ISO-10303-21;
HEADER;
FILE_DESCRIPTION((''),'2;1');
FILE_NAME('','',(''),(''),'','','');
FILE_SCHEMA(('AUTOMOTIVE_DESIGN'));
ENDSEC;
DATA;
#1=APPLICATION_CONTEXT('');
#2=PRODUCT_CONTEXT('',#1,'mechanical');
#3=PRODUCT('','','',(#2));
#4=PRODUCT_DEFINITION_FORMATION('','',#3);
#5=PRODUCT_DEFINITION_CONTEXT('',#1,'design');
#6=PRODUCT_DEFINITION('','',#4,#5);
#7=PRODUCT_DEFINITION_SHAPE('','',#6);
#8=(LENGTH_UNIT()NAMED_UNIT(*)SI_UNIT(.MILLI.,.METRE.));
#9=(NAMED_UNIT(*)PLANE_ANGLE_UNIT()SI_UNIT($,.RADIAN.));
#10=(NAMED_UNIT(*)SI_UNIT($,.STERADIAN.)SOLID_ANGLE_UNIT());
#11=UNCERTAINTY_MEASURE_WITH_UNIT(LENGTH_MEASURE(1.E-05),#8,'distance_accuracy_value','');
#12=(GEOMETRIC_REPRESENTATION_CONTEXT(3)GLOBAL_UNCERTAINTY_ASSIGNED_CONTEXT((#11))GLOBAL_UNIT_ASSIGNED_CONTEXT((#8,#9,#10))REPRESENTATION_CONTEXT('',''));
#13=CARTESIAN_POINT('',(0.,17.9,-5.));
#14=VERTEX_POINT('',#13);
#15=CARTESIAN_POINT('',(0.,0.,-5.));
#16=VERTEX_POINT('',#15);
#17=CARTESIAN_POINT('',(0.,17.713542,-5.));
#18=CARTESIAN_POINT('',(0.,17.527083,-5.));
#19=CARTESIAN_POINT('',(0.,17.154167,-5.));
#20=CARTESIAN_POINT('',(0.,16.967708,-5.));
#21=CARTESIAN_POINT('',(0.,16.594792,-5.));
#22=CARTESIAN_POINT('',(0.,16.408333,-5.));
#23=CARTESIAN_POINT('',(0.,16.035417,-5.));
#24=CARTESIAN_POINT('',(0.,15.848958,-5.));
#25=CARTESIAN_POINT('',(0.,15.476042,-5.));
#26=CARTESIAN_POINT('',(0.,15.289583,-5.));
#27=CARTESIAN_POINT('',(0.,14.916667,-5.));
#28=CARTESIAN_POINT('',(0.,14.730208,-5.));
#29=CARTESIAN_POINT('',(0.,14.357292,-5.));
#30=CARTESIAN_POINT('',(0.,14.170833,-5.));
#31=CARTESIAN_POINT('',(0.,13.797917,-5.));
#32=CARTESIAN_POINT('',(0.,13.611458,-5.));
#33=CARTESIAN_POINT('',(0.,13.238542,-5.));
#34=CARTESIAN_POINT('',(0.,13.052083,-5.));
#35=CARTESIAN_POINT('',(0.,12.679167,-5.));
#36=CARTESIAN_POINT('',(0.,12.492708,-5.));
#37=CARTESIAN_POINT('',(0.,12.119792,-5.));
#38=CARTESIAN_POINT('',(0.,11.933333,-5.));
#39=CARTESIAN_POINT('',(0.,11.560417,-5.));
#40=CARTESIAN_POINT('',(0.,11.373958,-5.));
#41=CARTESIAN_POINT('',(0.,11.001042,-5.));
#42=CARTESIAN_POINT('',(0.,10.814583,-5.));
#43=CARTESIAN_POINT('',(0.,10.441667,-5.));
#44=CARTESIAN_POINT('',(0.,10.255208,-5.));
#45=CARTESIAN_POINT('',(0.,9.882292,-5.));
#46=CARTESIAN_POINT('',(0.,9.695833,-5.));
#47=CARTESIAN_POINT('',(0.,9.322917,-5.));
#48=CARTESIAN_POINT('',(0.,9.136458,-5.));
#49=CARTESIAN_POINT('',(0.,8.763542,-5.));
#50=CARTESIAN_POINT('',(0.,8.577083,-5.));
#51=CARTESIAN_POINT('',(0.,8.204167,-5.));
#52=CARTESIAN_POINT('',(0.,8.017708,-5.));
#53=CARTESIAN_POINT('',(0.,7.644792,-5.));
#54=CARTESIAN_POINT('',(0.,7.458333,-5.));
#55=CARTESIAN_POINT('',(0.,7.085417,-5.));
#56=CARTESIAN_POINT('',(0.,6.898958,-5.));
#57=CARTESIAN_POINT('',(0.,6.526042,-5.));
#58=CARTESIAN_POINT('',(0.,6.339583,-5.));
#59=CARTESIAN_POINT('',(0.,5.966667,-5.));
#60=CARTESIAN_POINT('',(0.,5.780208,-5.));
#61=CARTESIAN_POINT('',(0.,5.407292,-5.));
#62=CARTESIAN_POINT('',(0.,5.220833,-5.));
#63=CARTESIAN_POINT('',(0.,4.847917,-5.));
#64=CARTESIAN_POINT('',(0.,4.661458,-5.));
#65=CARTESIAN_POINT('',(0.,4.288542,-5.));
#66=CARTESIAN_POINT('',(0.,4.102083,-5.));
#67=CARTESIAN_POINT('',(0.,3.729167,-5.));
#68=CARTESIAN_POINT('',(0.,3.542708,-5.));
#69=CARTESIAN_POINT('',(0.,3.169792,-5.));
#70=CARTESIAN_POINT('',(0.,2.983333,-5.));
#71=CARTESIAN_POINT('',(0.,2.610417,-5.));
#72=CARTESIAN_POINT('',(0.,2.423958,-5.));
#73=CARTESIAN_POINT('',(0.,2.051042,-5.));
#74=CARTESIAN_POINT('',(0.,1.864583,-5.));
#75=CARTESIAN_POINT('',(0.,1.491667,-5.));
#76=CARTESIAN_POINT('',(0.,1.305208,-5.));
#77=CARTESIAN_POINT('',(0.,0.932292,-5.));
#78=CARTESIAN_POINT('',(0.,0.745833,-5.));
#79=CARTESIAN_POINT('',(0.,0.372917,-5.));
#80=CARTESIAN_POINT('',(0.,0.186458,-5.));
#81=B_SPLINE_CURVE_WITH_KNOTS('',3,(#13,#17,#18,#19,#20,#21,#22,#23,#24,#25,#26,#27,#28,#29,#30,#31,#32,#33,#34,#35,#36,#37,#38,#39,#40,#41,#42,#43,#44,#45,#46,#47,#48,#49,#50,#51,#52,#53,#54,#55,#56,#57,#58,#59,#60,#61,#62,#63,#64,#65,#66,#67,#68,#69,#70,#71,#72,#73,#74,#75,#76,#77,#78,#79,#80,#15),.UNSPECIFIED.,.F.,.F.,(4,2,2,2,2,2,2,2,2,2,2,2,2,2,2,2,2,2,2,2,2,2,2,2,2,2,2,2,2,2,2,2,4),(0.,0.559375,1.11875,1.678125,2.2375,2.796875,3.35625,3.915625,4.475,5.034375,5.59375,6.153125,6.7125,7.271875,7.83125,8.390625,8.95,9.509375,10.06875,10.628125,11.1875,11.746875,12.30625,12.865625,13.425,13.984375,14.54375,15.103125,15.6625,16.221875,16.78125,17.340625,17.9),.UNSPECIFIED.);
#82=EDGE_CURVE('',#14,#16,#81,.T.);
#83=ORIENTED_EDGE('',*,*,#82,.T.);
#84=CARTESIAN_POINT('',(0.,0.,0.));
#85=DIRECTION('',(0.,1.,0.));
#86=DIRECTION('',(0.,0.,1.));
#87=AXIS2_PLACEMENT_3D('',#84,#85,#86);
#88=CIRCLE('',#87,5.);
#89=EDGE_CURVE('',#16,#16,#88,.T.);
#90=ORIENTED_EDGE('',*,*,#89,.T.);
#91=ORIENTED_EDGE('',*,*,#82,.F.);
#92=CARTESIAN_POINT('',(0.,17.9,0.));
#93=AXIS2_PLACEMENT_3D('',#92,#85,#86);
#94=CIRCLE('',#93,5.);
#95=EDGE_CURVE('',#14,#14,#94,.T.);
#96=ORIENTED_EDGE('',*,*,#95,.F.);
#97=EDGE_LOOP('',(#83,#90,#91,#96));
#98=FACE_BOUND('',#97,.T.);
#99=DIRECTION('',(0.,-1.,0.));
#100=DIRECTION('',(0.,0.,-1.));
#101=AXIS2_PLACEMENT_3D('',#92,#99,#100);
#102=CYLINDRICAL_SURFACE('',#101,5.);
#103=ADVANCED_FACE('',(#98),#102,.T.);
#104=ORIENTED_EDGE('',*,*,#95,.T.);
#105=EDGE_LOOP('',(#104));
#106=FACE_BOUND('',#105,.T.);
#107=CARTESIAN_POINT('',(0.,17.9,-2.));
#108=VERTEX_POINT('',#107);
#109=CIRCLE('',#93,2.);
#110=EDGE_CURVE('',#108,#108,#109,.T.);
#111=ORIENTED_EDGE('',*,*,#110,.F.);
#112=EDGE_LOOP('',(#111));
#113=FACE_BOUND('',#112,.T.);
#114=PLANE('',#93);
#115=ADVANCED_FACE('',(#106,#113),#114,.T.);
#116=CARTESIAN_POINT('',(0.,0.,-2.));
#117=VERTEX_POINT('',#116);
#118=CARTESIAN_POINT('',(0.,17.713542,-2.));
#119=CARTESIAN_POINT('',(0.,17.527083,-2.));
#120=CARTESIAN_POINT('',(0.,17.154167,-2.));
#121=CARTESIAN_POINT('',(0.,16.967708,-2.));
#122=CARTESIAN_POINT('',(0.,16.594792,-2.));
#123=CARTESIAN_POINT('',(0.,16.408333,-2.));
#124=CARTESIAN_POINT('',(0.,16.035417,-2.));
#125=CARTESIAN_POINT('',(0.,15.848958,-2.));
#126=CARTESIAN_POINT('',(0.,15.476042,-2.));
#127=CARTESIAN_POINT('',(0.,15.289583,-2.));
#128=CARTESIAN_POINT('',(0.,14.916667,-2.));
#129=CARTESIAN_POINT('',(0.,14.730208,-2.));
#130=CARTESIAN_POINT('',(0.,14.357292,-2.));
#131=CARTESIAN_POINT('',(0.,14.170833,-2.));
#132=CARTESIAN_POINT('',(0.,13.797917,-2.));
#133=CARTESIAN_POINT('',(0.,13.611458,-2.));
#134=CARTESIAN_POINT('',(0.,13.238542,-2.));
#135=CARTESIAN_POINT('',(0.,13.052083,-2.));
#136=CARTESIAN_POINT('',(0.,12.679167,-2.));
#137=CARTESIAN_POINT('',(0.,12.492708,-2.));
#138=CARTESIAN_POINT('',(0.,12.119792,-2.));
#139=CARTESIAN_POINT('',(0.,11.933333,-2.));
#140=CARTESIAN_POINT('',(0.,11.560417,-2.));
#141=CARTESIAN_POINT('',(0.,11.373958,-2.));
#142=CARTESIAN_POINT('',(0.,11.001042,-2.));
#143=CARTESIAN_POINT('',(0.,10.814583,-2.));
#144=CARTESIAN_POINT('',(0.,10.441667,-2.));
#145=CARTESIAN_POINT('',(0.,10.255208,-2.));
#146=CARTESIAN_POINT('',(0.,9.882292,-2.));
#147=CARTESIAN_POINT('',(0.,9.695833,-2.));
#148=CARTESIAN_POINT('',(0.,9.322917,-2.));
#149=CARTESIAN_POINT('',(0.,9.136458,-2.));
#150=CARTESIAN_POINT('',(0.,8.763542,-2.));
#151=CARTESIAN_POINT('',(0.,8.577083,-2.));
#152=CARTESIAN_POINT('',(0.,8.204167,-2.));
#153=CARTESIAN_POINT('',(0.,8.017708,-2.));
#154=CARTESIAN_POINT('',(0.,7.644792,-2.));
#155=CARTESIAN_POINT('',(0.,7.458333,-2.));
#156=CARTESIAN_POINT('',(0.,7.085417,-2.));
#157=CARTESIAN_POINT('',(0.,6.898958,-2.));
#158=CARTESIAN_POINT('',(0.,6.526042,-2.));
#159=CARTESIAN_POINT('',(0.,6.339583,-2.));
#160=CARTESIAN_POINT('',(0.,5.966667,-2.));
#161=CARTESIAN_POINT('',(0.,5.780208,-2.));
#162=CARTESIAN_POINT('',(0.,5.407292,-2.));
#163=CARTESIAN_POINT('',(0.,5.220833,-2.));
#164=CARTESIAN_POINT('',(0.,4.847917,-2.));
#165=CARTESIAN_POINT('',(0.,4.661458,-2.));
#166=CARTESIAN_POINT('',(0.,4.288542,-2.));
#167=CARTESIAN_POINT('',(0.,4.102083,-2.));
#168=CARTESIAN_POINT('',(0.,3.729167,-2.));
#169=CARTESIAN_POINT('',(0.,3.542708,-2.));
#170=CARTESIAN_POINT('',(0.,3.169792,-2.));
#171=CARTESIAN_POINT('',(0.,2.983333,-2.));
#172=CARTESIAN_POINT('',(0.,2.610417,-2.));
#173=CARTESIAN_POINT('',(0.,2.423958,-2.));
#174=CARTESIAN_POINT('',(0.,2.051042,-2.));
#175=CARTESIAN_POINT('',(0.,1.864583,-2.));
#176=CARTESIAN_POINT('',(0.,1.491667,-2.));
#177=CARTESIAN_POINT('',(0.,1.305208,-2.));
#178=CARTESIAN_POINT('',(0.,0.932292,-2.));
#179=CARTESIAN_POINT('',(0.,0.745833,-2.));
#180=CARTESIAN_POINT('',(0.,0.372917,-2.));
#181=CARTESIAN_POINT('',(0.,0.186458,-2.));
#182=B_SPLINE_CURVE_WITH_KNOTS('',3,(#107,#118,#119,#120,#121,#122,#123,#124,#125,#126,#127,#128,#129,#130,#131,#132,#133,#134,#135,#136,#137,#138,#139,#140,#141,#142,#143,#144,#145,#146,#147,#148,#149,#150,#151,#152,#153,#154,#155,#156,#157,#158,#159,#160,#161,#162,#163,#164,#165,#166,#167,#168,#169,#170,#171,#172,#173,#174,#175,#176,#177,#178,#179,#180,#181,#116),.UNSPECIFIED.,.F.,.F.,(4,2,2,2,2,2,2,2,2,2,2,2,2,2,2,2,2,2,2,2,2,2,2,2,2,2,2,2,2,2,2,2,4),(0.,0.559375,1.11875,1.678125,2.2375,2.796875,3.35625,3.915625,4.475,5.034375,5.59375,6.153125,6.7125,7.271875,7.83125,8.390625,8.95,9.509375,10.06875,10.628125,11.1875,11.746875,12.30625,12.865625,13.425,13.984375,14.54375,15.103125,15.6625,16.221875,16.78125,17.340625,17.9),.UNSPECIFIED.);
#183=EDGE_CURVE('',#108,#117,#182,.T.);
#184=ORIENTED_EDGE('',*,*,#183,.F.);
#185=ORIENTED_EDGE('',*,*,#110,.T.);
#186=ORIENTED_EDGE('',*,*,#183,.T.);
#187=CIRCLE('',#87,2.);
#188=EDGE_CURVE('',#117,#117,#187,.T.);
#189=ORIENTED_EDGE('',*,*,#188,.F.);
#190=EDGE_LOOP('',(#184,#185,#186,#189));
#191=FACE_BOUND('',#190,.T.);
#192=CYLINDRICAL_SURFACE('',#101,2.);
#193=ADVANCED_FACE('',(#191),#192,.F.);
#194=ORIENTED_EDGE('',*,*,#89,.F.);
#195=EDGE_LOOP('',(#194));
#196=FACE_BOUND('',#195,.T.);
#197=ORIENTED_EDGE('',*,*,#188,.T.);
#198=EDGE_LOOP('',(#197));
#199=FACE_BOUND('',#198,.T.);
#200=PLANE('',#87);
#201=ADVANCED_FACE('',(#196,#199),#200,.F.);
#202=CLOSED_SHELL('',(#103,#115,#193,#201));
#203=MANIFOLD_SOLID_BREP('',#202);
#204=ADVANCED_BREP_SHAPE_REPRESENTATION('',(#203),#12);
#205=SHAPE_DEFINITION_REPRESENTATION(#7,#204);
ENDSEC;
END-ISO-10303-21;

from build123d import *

# Parameters (mm, degrees)
SKETCH_1_R      = 5
SKETCH_1_R_2    = 2
EXTRUDE_1_DEPTH = 17.9


with BuildPart() as part:
    # ｽｹｯﾁ1 → ﾎﾞｽ - 押し出し1 (new body)
    with BuildSketch(Plane(origin=(0, 0, 0), x_dir=(1, 0, 0), z_dir=(0, 1, 0))):
        with Locations(Location((0, 0, 0), (0, 0, 90))):
            Circle(SKETCH_1_R)
        with Locations(Location((0, 0, 0), (0, 0, 90))):
            Circle(SKETCH_1_R_2, mode=Mode.SUBTRACT)
    extrude(amount=EXTRUDE_1_DEPTH)


solid = part.part
